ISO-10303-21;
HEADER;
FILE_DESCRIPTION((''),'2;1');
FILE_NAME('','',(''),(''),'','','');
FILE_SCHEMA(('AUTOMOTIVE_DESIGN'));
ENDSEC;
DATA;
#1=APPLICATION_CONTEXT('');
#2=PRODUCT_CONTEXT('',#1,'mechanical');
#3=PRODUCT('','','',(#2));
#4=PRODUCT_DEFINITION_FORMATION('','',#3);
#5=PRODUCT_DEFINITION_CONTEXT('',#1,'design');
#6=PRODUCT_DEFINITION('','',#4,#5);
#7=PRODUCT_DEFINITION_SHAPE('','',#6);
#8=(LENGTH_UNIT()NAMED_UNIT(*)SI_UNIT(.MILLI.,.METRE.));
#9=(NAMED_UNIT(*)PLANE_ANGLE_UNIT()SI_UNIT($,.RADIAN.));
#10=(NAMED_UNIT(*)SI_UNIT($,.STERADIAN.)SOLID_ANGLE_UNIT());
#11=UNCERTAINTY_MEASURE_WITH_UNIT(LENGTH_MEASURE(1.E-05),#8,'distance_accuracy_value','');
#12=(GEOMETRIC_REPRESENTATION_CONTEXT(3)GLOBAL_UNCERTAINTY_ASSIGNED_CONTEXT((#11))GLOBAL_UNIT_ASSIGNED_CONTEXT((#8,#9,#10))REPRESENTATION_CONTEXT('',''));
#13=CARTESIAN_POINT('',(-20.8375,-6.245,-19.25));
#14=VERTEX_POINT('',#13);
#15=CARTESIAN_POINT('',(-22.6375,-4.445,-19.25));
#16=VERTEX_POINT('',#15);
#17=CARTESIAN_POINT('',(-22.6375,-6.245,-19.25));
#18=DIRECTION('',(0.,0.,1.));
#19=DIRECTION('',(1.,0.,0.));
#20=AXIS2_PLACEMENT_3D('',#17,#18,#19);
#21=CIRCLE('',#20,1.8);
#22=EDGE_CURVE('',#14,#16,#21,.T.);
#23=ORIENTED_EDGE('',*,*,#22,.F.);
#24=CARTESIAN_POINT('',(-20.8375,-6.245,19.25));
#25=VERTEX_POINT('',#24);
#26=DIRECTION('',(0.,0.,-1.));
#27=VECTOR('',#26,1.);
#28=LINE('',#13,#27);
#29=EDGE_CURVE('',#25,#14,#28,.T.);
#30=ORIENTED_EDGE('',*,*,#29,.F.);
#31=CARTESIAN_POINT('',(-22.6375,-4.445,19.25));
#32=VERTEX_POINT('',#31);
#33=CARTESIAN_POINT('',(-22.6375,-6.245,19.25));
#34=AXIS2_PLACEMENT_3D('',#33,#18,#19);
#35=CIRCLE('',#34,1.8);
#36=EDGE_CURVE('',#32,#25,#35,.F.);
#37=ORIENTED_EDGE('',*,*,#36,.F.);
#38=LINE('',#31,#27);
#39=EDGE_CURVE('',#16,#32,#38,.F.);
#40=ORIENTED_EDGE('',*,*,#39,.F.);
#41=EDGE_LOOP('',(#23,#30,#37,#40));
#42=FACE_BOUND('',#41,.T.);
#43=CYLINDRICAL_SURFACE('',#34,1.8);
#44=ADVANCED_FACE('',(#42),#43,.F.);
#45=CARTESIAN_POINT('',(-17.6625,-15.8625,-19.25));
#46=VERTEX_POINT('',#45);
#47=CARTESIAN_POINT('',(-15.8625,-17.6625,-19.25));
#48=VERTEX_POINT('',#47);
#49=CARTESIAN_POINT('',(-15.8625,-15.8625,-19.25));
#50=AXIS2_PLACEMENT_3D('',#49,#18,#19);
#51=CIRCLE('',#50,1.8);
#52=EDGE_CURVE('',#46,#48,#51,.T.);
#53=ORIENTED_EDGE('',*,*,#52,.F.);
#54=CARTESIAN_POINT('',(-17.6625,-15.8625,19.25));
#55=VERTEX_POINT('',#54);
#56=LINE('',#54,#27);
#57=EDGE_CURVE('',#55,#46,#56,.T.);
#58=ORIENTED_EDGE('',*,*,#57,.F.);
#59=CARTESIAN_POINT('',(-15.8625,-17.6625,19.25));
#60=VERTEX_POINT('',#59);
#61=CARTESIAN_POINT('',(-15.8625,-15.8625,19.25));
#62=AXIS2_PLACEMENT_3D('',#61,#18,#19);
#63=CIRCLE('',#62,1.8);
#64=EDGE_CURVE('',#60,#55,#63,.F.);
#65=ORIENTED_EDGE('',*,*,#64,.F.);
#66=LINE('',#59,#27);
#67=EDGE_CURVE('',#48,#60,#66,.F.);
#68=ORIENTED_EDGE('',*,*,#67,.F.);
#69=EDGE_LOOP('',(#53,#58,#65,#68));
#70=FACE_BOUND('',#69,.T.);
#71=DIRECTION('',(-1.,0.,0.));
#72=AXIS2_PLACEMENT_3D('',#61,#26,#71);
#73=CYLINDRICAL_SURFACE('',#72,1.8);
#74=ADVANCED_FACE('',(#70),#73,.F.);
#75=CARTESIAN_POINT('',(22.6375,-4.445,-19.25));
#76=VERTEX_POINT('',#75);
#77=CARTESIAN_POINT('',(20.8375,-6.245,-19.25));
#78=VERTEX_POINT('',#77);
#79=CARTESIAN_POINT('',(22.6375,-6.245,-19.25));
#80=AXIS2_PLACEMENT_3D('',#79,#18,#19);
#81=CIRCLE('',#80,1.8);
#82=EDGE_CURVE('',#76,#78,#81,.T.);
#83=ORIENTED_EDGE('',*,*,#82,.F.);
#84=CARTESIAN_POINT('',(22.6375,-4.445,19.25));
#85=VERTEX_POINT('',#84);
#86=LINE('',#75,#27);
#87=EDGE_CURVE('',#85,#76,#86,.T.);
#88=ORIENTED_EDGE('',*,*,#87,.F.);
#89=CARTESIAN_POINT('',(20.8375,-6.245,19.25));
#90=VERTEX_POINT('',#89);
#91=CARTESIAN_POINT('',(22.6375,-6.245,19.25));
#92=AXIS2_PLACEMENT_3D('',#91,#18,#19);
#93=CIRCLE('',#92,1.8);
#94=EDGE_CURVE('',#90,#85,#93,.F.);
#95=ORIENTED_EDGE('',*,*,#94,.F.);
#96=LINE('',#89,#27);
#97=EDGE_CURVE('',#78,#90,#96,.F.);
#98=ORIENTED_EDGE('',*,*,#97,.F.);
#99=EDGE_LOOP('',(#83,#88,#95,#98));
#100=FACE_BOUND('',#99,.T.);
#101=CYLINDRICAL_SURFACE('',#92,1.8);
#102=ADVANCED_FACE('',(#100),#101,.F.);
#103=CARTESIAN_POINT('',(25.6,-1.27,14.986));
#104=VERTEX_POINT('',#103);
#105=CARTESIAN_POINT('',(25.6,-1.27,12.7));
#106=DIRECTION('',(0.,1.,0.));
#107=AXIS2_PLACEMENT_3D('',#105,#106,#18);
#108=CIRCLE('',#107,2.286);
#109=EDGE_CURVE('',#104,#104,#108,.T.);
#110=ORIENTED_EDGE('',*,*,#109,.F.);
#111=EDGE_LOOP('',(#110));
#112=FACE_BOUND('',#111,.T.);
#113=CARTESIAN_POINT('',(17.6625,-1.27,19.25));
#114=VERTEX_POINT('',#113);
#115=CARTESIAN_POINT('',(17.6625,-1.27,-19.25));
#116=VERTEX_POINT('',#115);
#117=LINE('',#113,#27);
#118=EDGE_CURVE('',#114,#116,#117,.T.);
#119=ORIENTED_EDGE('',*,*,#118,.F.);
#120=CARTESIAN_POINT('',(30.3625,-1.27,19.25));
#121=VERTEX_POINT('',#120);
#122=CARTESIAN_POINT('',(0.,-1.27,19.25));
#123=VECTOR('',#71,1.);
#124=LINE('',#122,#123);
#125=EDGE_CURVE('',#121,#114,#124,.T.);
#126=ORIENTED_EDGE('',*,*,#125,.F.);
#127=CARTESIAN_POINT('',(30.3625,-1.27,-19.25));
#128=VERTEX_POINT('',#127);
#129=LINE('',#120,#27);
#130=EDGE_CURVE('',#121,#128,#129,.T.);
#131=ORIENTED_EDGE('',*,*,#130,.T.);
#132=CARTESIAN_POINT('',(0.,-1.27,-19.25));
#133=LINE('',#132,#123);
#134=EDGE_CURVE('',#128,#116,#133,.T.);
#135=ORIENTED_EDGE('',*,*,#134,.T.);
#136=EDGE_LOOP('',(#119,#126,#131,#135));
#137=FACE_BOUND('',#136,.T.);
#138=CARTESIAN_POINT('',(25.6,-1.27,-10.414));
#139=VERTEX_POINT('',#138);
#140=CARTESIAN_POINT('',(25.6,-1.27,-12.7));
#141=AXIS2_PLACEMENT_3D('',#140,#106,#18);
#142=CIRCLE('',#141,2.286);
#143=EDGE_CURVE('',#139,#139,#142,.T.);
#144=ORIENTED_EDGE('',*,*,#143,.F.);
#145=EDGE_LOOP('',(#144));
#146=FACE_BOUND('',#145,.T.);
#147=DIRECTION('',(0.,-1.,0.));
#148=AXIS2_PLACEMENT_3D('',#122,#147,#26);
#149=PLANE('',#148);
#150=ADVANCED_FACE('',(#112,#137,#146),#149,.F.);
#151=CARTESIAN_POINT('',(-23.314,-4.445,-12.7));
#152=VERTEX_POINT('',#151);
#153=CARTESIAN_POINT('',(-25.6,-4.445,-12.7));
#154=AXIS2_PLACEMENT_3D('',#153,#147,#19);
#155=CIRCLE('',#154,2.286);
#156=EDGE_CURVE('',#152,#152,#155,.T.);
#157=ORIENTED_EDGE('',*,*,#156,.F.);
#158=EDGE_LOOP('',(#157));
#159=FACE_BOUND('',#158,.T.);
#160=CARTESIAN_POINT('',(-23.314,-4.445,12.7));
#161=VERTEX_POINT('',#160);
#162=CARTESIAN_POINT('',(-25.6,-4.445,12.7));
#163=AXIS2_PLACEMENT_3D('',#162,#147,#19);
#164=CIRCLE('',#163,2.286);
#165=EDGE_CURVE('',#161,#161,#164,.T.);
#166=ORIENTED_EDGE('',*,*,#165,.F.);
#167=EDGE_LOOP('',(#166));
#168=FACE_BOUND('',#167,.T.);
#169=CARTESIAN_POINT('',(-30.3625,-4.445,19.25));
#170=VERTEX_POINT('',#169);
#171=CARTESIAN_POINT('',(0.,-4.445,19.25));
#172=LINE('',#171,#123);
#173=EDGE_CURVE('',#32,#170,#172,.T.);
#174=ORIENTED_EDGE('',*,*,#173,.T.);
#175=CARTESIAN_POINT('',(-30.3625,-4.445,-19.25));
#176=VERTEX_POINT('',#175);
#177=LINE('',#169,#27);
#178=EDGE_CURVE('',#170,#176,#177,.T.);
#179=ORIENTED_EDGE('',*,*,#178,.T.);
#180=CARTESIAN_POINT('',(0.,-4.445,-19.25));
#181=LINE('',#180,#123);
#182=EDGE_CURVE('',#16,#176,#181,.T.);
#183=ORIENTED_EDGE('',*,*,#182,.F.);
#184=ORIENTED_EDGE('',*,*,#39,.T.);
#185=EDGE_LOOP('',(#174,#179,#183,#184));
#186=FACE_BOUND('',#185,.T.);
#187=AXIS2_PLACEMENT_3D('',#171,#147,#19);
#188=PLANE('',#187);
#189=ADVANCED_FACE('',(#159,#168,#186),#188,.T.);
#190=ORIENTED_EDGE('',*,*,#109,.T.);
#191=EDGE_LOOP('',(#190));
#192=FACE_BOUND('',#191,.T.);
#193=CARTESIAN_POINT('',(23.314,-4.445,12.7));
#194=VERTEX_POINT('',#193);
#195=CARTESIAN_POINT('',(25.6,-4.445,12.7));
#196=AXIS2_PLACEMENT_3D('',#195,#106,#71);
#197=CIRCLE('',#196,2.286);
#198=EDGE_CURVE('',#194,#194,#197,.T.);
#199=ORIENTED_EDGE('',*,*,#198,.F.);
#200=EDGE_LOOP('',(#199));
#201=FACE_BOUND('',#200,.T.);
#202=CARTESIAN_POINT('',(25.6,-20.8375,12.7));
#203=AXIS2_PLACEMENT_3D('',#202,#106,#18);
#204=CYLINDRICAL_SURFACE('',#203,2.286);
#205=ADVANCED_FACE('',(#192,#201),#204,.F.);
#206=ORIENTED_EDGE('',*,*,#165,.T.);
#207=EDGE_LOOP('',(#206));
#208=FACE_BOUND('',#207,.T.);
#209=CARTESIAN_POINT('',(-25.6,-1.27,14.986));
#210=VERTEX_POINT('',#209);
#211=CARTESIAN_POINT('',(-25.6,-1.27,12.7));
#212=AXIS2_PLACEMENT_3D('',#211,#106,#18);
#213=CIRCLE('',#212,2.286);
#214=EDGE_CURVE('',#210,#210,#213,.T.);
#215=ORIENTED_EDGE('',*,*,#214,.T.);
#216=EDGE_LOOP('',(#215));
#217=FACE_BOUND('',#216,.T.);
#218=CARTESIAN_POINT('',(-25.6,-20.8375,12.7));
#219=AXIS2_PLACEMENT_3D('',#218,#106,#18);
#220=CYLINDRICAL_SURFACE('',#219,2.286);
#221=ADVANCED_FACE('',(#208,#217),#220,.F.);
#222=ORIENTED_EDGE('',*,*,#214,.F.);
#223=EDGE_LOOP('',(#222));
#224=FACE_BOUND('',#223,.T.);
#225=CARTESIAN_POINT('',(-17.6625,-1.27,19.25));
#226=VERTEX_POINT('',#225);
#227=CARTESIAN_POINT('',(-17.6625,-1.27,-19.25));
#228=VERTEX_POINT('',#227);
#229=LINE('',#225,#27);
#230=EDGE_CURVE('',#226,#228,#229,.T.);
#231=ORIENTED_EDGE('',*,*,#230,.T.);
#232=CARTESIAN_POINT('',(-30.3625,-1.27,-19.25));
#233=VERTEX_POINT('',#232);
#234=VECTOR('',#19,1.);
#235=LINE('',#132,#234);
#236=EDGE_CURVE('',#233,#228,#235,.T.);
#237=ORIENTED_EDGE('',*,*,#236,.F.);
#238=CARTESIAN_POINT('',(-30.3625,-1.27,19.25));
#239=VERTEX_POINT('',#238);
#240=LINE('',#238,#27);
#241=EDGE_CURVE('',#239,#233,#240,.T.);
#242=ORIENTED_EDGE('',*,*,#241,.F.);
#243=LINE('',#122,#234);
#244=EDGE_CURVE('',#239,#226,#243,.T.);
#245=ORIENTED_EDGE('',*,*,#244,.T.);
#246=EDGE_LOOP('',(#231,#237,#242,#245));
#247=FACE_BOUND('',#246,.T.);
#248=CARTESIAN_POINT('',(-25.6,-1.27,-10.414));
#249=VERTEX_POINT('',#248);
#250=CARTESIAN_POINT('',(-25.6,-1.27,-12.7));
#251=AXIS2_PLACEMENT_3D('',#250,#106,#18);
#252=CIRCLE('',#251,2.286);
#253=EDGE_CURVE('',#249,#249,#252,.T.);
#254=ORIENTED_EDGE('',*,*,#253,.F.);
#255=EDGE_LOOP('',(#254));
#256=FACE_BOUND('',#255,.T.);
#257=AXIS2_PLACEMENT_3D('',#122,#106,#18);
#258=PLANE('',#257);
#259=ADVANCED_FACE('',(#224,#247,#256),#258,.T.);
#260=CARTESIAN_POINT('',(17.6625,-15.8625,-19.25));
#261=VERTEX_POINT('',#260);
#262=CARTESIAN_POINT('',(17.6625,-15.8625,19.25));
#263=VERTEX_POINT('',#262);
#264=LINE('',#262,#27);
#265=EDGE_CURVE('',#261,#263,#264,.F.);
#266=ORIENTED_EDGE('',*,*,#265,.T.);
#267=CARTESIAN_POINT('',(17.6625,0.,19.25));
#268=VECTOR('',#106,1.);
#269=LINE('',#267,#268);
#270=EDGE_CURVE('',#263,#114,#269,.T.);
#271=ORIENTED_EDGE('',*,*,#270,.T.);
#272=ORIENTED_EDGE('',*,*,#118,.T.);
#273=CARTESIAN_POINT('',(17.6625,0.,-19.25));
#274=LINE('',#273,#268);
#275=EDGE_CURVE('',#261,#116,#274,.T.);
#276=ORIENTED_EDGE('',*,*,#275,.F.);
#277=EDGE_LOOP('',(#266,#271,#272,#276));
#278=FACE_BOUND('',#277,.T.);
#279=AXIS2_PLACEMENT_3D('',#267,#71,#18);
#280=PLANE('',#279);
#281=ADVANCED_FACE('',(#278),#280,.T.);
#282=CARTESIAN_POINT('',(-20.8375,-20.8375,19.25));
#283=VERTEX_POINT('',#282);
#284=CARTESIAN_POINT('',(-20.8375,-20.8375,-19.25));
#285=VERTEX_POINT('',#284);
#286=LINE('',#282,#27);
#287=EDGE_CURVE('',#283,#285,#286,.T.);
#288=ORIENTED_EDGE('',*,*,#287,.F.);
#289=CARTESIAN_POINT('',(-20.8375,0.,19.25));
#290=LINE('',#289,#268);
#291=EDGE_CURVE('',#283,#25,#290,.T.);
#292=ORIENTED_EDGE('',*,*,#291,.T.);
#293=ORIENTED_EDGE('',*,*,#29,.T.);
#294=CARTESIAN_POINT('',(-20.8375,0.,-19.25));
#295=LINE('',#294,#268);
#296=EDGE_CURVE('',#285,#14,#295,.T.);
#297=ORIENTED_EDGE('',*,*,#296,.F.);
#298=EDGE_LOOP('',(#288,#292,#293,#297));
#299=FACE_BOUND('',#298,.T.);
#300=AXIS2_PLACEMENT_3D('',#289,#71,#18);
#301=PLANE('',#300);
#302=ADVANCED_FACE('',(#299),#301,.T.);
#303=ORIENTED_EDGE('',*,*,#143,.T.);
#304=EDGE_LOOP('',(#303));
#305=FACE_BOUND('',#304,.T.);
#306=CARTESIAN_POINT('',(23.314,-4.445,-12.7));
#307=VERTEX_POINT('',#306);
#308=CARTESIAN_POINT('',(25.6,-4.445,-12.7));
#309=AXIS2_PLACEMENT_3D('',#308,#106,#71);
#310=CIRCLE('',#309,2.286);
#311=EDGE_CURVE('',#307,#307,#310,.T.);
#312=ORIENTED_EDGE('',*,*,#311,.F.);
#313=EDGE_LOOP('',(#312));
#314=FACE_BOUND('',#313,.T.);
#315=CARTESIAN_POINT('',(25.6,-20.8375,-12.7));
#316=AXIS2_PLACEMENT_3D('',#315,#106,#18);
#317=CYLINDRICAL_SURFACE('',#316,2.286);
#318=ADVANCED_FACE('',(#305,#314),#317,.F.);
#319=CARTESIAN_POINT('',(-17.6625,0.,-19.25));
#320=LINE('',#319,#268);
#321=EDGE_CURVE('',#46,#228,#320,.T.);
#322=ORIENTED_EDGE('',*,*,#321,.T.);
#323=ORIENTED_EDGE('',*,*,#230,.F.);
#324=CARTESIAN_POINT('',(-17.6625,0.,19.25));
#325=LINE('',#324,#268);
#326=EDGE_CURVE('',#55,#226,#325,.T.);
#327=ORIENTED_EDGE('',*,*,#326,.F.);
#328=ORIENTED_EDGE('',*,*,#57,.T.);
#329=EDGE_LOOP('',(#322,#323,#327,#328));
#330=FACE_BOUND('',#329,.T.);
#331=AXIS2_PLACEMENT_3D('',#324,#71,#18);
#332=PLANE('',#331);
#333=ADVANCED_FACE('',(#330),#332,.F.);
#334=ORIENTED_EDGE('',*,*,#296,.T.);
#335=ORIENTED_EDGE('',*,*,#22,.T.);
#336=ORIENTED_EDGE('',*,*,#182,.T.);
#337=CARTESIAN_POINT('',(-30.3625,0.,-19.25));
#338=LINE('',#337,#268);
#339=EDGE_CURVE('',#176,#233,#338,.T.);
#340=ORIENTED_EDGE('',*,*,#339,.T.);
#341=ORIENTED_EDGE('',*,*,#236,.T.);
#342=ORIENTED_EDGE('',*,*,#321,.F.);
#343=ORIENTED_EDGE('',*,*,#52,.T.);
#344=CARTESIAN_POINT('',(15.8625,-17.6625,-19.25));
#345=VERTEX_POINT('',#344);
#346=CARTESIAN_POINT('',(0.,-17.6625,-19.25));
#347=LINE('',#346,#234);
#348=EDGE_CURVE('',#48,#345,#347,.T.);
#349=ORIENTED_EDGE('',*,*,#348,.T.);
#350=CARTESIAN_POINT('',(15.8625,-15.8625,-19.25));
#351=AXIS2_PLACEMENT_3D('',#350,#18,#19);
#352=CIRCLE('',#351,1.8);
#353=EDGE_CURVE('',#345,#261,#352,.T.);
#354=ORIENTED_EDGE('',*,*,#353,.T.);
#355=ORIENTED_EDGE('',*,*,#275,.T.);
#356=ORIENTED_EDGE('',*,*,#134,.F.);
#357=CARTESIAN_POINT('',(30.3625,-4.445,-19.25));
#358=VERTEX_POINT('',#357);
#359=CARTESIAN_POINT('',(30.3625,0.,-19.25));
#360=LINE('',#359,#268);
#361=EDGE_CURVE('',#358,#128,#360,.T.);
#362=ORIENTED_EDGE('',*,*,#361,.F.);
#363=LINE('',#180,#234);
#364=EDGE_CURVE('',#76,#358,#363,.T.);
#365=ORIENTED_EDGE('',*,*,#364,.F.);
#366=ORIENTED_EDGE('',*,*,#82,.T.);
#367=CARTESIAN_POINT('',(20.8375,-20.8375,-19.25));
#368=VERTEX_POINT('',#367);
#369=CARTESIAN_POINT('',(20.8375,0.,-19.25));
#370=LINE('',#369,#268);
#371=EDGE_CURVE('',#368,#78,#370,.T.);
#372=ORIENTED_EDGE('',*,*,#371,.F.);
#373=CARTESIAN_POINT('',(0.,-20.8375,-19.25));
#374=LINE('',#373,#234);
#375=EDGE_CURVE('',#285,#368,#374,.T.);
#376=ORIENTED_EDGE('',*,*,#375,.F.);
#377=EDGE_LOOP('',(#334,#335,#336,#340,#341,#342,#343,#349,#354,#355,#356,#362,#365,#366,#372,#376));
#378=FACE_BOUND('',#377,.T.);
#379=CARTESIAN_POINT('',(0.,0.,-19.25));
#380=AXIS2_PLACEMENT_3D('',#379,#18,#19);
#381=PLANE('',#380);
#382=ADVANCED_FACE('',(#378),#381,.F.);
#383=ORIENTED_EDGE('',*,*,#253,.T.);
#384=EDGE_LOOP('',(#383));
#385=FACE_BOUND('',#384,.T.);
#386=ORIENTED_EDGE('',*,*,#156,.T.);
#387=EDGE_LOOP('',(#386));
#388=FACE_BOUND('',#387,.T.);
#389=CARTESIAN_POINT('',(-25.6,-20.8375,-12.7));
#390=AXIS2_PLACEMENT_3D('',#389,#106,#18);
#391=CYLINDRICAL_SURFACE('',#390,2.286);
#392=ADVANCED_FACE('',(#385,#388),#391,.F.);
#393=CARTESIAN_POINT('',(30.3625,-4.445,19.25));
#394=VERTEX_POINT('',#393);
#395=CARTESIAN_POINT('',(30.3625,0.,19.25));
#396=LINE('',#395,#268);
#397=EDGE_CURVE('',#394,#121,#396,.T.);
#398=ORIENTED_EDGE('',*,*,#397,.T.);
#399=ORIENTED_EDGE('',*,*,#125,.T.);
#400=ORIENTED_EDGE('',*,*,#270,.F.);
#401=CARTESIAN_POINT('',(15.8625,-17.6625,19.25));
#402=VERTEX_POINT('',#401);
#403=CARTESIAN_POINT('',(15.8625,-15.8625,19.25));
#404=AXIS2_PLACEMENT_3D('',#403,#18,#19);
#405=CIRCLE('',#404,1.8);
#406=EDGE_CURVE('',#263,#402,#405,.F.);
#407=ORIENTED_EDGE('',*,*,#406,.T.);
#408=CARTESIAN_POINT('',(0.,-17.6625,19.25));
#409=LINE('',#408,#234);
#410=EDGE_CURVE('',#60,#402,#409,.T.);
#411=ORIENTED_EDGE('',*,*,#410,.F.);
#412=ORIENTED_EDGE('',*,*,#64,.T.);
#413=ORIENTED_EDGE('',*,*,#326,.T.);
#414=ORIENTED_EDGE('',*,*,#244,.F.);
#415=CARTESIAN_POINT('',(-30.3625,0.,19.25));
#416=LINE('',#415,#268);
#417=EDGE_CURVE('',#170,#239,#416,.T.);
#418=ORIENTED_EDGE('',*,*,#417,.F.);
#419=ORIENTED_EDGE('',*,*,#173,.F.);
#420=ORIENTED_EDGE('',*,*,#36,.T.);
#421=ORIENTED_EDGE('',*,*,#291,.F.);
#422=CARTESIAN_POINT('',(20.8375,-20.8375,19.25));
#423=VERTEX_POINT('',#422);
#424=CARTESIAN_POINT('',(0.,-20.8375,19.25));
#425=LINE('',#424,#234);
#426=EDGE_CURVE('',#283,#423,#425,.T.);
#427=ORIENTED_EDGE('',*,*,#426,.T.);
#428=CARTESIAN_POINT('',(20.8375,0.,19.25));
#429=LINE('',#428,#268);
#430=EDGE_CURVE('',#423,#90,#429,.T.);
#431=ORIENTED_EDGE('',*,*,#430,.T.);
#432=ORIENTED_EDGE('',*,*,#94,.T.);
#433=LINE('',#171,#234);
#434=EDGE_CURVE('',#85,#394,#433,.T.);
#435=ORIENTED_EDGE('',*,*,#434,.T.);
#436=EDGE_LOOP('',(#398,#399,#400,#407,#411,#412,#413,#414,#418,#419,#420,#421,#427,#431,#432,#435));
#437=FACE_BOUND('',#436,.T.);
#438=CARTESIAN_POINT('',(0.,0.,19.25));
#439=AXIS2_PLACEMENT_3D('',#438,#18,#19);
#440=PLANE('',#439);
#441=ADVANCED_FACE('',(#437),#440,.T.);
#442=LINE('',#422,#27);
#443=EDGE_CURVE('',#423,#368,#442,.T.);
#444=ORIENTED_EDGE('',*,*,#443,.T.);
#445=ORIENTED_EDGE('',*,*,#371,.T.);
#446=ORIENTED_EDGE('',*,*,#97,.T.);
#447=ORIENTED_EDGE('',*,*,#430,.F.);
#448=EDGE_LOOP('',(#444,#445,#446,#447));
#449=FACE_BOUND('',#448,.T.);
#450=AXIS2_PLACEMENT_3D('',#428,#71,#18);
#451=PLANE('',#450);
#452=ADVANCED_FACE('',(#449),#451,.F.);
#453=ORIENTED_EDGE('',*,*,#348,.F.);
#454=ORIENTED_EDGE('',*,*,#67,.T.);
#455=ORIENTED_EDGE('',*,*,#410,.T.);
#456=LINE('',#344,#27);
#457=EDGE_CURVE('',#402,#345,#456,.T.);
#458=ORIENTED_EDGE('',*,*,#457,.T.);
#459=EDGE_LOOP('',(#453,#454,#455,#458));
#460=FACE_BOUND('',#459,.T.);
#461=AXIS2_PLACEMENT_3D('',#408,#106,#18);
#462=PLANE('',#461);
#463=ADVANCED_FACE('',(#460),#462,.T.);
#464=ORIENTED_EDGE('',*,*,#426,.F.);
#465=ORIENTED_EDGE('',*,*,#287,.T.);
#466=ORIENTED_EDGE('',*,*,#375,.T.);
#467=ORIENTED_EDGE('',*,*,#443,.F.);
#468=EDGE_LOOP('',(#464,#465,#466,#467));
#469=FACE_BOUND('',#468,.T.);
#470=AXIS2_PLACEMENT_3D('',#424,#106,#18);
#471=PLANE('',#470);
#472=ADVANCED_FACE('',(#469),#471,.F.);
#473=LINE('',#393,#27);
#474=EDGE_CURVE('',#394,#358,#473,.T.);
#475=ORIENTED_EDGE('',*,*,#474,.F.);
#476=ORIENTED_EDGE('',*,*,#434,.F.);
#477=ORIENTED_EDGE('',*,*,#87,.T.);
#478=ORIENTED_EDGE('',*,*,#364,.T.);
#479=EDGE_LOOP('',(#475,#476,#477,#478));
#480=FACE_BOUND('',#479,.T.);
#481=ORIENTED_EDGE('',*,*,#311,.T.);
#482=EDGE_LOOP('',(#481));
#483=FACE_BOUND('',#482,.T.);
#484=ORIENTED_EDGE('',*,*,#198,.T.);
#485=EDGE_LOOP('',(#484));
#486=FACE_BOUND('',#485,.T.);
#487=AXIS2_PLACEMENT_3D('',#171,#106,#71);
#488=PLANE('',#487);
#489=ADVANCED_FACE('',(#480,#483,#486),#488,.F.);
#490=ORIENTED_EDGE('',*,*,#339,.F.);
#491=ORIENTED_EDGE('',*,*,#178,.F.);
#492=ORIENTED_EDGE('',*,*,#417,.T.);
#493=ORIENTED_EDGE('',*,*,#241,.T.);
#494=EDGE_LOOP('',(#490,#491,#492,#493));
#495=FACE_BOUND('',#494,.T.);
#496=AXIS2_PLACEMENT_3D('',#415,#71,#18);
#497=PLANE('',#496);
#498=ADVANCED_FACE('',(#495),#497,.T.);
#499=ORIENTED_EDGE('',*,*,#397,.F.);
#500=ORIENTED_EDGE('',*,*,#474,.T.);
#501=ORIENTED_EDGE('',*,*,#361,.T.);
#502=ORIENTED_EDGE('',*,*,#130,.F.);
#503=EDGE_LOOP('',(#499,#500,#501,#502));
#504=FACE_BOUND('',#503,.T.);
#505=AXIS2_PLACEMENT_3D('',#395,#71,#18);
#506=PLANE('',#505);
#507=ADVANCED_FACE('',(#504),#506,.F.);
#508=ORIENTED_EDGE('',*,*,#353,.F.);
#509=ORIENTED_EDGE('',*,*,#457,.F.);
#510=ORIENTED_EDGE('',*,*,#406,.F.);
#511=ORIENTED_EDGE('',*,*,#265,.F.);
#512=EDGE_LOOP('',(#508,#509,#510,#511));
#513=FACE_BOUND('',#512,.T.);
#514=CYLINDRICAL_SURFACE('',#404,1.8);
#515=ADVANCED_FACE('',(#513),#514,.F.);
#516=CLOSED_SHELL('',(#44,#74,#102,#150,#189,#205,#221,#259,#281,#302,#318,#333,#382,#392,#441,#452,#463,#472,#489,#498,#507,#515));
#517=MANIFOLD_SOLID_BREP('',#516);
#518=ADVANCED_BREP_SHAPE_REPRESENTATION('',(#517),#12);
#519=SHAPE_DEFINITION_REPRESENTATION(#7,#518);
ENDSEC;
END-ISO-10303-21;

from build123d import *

# Parameters (mm, degrees)
BOSS_EXTRUDE2_DEPTH = 19.250000108
SKETCH3_R           = 2.286
CUT_EXTRUDE1_DEPTH  = 41.930807193
FILLET1_R           = 1.8


with BuildPart() as part:
    # Sketch1<3> → Boss-Extrude2 (new, symmetric)
    with BuildSketch(Plane.XY):
        Polygon((17.662500108, -17.662500108), (-17.662500108, -17.662500108), (-17.662500108, -1.27), (-30.362500108, -1.27), (-30.362500108, -4.445), (-20.837500108, -4.445), (-20.837500108, -20.837500108), (20.837500108, -20.837500108), (20.837500108, -4.445), (30.362500108, -4.445), (30.362500108, -1.27), (17.662500108, -1.27), align=None)
    extrude(amount=BOSS_EXTRUDE2_DEPTH, both=True)

    # Sketch3 → Cut-Extrude1 (cut, through all)
    with BuildSketch(Plane(origin=(0, -1.27, 0), x_dir=(1, 0, 0), z_dir=(0, 1, 0))):
        with Locations((-25.600000108, 12.7)):
            Circle(SKETCH3_R)
        with Locations((-25.600000108, -12.7)):
            Circle(SKETCH3_R)
        with Locations((25.600000108, 12.7)):
            Circle(SKETCH3_R)
        with Locations((25.600000108, -12.7)):
            Circle(SKETCH3_R)
    extrude(amount=-CUT_EXTRUDE1_DEPTH, mode=Mode.SUBTRACT)

    # Fillet1
    fillet1_edges = [part.edges().sort_by_distance(p)[0] for p in [
        (-17.662500108, -17.662500108, 0),
        (17.662500108, -17.662500108, 0),
        (20.837500108, -4.445, 0),
        (-20.837500108, -4.445, 0),
    ]]
    fillet(fillet1_edges, radius=FILLET1_R)


solid = part.part
